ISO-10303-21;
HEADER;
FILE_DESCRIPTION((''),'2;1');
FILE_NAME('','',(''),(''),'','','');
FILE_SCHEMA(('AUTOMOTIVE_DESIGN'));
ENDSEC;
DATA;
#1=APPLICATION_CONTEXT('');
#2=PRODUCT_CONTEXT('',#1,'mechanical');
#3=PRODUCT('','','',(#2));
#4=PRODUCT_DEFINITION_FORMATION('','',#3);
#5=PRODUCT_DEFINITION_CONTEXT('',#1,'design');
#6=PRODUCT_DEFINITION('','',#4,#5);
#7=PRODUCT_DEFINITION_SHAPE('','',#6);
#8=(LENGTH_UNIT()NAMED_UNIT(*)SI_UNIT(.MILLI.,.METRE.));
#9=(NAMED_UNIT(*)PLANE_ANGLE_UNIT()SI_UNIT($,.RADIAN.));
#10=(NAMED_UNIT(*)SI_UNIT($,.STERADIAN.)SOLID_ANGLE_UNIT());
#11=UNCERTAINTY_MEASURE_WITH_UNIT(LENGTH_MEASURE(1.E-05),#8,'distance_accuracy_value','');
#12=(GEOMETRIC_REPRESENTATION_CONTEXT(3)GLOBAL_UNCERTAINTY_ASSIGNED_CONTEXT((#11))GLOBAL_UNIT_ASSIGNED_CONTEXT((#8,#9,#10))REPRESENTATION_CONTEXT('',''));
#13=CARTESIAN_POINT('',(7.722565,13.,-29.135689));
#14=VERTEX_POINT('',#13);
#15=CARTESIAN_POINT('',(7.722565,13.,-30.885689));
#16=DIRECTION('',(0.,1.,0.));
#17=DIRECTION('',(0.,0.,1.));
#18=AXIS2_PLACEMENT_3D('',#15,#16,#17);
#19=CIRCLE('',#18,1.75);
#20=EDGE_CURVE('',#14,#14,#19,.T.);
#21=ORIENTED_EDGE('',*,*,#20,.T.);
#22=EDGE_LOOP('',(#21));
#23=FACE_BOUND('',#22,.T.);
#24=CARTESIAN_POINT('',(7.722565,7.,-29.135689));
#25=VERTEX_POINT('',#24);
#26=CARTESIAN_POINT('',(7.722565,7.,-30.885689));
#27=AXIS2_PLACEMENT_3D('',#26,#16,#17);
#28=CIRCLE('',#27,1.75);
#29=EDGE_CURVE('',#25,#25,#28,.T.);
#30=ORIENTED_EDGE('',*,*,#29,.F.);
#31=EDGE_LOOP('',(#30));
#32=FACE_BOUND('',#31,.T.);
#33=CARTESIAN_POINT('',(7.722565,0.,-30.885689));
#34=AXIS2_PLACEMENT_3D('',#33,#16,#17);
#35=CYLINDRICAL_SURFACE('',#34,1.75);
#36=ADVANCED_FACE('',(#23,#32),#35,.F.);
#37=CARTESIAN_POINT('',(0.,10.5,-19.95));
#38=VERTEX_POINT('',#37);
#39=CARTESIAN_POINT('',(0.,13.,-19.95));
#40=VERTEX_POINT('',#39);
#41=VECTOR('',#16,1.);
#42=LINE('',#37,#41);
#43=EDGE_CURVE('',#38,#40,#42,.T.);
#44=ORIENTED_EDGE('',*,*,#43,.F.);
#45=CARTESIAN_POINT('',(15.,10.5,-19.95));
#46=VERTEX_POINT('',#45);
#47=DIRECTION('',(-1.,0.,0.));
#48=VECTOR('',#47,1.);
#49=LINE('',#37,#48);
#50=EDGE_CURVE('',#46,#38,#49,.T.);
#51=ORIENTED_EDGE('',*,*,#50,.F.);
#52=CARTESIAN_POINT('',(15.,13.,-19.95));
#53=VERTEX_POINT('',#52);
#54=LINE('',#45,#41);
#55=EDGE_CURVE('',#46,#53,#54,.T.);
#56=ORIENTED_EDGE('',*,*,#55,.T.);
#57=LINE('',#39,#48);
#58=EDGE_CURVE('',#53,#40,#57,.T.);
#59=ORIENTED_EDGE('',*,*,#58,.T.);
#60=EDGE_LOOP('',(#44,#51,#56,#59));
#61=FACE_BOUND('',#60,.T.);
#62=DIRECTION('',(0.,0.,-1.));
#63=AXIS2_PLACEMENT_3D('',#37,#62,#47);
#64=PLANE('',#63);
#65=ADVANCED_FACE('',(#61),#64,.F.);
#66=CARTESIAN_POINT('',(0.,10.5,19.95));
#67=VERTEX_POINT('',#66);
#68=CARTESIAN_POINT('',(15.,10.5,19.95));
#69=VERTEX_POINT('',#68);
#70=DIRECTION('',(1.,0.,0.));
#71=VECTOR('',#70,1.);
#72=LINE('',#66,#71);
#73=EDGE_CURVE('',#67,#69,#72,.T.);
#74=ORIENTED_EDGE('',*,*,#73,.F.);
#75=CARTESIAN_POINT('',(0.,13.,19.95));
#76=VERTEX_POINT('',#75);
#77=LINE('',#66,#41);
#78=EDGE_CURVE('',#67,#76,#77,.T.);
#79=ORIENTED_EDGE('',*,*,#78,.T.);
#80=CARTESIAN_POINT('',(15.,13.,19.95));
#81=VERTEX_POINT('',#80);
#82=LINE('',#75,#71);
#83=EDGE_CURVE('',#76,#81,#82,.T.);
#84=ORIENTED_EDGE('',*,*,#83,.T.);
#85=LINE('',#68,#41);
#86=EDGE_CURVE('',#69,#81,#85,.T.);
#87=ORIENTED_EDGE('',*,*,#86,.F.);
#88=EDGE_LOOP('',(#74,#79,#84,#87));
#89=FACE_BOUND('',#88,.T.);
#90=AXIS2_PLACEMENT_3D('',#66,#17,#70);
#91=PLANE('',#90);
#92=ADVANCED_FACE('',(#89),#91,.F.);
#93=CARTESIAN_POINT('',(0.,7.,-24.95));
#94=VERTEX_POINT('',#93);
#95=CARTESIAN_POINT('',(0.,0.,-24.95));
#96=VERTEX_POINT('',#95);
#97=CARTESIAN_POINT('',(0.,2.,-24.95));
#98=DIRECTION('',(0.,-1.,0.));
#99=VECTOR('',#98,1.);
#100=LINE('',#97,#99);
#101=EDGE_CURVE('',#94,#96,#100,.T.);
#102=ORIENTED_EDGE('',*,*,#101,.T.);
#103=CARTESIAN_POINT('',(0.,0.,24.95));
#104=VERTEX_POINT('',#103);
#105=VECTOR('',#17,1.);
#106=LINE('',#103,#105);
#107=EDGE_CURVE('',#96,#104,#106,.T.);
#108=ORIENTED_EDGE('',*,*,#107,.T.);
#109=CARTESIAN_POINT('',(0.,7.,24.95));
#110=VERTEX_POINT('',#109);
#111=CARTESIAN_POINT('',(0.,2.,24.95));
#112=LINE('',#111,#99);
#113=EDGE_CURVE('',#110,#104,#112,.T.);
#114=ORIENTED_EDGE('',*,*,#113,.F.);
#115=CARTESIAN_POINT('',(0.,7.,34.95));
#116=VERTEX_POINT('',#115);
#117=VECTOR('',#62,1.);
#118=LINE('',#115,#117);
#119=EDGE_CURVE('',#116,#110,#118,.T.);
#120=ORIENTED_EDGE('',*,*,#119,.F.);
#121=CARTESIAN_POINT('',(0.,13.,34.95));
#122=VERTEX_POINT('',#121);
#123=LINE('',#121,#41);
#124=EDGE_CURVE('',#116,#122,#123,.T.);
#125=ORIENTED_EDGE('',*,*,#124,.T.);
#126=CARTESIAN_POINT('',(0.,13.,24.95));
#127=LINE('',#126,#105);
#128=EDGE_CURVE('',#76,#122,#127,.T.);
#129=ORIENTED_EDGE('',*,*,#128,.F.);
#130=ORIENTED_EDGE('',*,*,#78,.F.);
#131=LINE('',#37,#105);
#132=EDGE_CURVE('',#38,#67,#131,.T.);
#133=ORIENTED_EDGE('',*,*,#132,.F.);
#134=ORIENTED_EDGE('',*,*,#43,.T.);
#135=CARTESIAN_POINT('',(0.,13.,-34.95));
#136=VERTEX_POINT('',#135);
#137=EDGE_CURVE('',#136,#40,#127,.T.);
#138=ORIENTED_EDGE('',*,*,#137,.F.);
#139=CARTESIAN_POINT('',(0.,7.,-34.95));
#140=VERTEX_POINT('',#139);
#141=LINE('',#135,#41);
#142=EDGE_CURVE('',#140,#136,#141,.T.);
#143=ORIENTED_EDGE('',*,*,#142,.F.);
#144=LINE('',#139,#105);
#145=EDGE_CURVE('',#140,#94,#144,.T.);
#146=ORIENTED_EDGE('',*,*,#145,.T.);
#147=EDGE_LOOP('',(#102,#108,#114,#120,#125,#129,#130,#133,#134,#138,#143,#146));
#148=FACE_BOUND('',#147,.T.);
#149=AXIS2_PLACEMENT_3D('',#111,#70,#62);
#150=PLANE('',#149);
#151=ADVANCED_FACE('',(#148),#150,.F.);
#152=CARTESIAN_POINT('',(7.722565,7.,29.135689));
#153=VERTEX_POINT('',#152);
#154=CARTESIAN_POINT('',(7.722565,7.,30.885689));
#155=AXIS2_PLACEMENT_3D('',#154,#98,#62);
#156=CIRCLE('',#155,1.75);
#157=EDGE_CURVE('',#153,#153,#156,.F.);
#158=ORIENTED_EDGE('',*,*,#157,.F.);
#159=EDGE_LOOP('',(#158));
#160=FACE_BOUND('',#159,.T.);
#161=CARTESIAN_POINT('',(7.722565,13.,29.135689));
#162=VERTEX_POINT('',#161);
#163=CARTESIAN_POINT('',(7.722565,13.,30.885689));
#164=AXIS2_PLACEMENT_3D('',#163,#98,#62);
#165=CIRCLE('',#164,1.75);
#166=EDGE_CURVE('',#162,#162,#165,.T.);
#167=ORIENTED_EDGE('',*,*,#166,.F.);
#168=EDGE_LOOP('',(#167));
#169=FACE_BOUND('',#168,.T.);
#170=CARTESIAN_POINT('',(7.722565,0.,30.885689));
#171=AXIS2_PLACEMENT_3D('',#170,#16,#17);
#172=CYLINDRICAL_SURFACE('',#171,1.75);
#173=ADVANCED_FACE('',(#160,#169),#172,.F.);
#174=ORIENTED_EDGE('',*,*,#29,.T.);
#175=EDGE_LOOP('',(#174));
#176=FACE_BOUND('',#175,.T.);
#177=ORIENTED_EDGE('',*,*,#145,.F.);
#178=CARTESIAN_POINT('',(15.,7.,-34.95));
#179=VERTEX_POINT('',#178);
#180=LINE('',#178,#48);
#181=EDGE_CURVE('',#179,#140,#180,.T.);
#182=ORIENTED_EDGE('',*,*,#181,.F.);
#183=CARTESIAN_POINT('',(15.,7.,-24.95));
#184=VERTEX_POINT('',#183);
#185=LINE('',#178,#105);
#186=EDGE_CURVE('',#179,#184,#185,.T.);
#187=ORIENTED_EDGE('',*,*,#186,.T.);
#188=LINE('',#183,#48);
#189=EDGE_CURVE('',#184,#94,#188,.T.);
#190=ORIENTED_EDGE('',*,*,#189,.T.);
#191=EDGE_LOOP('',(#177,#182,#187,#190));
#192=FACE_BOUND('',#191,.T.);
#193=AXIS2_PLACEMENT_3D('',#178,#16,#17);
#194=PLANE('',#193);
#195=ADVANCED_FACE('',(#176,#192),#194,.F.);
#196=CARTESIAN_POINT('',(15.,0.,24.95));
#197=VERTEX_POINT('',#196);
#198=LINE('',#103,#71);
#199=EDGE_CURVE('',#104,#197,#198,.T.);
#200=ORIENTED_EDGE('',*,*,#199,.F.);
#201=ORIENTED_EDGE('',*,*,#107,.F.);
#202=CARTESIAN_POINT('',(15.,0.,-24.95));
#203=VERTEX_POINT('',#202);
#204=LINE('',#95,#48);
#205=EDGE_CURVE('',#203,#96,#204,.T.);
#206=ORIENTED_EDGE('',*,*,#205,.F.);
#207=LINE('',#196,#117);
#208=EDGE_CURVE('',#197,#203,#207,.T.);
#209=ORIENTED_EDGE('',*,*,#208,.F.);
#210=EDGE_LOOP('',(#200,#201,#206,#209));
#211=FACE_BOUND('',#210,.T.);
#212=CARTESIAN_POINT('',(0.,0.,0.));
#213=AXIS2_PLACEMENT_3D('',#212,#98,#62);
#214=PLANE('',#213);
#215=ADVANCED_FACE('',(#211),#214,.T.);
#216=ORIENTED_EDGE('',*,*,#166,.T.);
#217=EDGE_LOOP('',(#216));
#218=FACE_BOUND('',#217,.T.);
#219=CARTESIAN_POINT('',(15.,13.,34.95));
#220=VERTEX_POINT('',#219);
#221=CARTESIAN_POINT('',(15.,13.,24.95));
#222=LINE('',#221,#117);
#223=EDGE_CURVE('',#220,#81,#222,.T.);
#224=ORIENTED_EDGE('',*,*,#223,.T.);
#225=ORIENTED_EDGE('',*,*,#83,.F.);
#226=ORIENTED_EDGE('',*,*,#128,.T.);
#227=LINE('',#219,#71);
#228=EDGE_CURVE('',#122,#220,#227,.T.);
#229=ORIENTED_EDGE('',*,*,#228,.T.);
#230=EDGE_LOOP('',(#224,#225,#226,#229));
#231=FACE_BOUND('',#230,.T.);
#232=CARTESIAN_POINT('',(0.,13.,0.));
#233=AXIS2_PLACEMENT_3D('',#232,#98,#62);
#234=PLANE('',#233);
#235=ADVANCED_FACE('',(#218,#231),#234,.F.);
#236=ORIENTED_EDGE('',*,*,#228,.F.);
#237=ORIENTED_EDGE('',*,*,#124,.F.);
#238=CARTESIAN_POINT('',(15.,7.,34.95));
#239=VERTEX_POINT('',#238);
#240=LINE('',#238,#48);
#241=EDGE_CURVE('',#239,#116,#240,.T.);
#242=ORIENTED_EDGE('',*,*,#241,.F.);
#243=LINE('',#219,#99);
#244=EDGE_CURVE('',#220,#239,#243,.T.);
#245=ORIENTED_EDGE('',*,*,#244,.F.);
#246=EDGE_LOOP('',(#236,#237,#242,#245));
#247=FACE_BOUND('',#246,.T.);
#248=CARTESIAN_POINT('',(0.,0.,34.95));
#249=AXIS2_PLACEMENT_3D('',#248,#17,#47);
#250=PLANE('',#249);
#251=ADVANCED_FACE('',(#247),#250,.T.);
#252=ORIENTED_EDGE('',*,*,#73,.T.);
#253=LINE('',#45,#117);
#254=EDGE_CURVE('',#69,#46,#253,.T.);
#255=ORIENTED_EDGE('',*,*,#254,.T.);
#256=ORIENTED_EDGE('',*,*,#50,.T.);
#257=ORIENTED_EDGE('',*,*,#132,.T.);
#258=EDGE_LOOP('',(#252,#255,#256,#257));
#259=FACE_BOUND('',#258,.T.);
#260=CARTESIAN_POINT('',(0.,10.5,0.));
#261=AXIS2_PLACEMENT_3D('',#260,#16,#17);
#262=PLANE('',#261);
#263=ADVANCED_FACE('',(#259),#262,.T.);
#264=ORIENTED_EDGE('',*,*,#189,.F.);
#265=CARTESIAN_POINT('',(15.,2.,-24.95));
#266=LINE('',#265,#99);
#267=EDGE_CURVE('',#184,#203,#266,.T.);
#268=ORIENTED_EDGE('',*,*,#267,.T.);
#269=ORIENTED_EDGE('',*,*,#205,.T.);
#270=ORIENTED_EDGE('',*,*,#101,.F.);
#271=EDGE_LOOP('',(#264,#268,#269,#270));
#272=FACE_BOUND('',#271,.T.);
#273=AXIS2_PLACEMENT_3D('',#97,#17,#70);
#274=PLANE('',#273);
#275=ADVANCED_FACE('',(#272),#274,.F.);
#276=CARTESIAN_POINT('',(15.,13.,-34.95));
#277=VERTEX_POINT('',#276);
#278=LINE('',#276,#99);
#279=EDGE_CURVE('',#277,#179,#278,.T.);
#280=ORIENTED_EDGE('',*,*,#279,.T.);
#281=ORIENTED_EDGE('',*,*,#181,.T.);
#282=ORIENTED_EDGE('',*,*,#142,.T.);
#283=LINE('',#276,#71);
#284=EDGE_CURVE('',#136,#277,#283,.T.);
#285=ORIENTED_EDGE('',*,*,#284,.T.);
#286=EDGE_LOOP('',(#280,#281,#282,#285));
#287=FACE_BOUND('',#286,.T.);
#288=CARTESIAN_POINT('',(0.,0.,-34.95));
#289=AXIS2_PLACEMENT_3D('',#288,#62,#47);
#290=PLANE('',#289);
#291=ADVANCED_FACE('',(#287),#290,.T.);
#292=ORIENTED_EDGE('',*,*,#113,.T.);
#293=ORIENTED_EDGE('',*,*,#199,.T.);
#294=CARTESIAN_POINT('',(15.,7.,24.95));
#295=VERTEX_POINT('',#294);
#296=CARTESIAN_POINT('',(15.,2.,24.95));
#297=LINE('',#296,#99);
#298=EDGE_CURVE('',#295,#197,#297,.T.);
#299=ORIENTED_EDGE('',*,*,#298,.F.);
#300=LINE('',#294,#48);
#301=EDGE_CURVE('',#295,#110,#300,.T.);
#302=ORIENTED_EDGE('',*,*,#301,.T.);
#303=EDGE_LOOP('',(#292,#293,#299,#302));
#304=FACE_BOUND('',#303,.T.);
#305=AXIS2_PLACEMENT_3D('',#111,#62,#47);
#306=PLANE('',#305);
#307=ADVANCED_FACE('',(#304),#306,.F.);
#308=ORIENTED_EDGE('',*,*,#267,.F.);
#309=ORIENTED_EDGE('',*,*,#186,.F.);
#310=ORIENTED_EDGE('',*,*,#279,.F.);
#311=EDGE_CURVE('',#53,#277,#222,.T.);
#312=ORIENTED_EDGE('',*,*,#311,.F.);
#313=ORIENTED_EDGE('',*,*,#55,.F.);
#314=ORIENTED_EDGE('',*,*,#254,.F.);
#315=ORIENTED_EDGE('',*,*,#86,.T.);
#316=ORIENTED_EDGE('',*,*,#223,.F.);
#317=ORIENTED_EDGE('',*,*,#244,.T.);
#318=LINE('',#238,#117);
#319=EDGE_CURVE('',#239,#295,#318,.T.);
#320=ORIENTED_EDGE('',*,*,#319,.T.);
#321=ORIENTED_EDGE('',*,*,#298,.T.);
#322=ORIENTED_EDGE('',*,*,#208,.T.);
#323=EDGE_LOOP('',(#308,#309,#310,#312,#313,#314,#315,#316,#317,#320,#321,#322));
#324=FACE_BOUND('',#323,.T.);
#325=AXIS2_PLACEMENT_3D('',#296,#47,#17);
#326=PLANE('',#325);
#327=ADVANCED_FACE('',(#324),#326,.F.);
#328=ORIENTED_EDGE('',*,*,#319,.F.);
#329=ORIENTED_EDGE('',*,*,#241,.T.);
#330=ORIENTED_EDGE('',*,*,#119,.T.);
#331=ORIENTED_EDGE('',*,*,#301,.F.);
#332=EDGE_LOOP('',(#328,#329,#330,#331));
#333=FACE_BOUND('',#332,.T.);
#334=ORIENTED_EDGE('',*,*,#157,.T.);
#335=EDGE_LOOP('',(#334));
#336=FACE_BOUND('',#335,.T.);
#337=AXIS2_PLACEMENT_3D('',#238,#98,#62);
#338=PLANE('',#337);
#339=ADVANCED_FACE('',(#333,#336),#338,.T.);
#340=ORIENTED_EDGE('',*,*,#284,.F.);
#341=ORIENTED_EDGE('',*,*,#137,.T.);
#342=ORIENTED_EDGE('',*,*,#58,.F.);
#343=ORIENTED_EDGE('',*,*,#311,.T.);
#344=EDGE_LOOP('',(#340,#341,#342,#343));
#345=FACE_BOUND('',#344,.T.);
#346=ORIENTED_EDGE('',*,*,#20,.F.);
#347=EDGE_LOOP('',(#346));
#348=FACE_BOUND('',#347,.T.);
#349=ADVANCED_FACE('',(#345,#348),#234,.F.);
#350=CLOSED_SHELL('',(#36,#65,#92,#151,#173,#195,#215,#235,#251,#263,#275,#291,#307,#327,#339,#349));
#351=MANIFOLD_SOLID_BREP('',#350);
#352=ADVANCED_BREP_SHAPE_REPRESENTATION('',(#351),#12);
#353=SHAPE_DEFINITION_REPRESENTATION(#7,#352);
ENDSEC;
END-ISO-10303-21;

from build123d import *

# Parameters (mm, degrees)
SKETCH1_W           = 15
SKETCH1_H           = 49.9
BOSS_EXTRUDE1_DEPTH = 2
SKETCH2_W           = 45
SKETCH2_H           = 5
BOSS_EXTRUDE2_DEPTH = 5
SKETCH4_W           = 15
SKETCH4_H           = 49.9
BOSS_EXTRUDE3_DEPTH = 13
SKETCH5_W           = 15
SKETCH5_H           = 6
BOSS_EXTRUDE4_DEPTH = 10
SKETCH6_R           = 1.75
CUT_EXTRUDE2_DEPTH  = 48.859194519
SKETCH7_W           = 15
SKETCH7_H           = 39.9
CUT_EXTRUDE3_DEPTH  = 2.5
SKETCH8_W           = 50.368588126
SKETCH8_H           = 13
CUT_EXTRUDE4_DEPTH  = 48.859194519


with BuildPart() as part:
    # Sketch1 → Boss-Extrude1 (new body)
    with BuildSketch(Plane(origin=(0, 0, 0), x_dir=(1, 0, 0), z_dir=(0, 1, 0))):
        with Locations((7.5, 0)):
            Rectangle(SKETCH1_W, SKETCH1_H)
    extrude(amount=BOSS_EXTRUDE1_DEPTH)

    # Sketch2 → Boss-Extrude2 (add)
    with BuildSketch(Plane(origin=(0, 2, 0), x_dir=(1, 0, 0), z_dir=(0, 1, 0))):
        with Locations((-7.5, -22.45)):
            Rectangle(SKETCH2_W, SKETCH2_H)
        with Locations((-7.5, 22.45)):
            Rectangle(SKETCH2_W, SKETCH2_H)
    extrude(amount=BOSS_EXTRUDE2_DEPTH)

    # Sketch4 → Boss-Extrude3 (add)
    with BuildSketch(Plane(origin=(0, 0, 0), x_dir=(1, 0, 0), z_dir=(0, 1, 0))):
        with Locations((7.5, 0)):
            Rectangle(SKETCH4_W, SKETCH4_H)
    extrude(amount=BOSS_EXTRUDE3_DEPTH)

    # Sketch5 → Boss-Extrude4 (add)
    with BuildSketch(Plane(origin=(0, 0, -24.95), x_dir=(-1, 0, 0), z_dir=(0, 0, -1))):
        with Locations((-7.5, 10)):
            Rectangle(SKETCH5_W, SKETCH5_H)
    boss_extrude4 = extrude(amount=BOSS_EXTRUDE4_DEPTH)

    # Sketch6 → Cut-Extrude2 (cut, through all)
    with BuildSketch(Plane(origin=(0, 13, 0), x_dir=(1, 0, 0), z_dir=(0, 1, 0))):
        with Locations((7.722564817, 30.885688998)):
            Circle(SKETCH6_R)
    cut_extrude2 = extrude(amount=-CUT_EXTRUDE2_DEPTH, mode=Mode.SUBTRACT)

    # Mirror1: Boss-Extrude4, Cut-Extrude2 across plane
    add(boss_extrude4.mirror(Plane.XY))
    add(cut_extrude2.mirror(Plane.XY), mode=Mode.SUBTRACT)

    # Sketch7 → Cut-Extrude3 (cut)
    with BuildSketch(Plane(origin=(0, 13, 0), x_dir=(1, 0, 0), z_dir=(0, 1, 0))):
        with Locations((7.5, 0)):
            Rectangle(SKETCH7_W, SKETCH7_H)
    extrude(amount=-CUT_EXTRUDE3_DEPTH, mode=Mode.SUBTRACT)

    # Sketch8 → Cut-Extrude4 (cut, through all)
    with BuildSketch(Plane.ZY):
        with Locations((0.234294063, 6.5)):
            Rectangle(SKETCH8_W, SKETCH8_H)
    extrude(amount=CUT_EXTRUDE4_DEPTH, mode=Mode.SUBTRACT)


solid = part.part
